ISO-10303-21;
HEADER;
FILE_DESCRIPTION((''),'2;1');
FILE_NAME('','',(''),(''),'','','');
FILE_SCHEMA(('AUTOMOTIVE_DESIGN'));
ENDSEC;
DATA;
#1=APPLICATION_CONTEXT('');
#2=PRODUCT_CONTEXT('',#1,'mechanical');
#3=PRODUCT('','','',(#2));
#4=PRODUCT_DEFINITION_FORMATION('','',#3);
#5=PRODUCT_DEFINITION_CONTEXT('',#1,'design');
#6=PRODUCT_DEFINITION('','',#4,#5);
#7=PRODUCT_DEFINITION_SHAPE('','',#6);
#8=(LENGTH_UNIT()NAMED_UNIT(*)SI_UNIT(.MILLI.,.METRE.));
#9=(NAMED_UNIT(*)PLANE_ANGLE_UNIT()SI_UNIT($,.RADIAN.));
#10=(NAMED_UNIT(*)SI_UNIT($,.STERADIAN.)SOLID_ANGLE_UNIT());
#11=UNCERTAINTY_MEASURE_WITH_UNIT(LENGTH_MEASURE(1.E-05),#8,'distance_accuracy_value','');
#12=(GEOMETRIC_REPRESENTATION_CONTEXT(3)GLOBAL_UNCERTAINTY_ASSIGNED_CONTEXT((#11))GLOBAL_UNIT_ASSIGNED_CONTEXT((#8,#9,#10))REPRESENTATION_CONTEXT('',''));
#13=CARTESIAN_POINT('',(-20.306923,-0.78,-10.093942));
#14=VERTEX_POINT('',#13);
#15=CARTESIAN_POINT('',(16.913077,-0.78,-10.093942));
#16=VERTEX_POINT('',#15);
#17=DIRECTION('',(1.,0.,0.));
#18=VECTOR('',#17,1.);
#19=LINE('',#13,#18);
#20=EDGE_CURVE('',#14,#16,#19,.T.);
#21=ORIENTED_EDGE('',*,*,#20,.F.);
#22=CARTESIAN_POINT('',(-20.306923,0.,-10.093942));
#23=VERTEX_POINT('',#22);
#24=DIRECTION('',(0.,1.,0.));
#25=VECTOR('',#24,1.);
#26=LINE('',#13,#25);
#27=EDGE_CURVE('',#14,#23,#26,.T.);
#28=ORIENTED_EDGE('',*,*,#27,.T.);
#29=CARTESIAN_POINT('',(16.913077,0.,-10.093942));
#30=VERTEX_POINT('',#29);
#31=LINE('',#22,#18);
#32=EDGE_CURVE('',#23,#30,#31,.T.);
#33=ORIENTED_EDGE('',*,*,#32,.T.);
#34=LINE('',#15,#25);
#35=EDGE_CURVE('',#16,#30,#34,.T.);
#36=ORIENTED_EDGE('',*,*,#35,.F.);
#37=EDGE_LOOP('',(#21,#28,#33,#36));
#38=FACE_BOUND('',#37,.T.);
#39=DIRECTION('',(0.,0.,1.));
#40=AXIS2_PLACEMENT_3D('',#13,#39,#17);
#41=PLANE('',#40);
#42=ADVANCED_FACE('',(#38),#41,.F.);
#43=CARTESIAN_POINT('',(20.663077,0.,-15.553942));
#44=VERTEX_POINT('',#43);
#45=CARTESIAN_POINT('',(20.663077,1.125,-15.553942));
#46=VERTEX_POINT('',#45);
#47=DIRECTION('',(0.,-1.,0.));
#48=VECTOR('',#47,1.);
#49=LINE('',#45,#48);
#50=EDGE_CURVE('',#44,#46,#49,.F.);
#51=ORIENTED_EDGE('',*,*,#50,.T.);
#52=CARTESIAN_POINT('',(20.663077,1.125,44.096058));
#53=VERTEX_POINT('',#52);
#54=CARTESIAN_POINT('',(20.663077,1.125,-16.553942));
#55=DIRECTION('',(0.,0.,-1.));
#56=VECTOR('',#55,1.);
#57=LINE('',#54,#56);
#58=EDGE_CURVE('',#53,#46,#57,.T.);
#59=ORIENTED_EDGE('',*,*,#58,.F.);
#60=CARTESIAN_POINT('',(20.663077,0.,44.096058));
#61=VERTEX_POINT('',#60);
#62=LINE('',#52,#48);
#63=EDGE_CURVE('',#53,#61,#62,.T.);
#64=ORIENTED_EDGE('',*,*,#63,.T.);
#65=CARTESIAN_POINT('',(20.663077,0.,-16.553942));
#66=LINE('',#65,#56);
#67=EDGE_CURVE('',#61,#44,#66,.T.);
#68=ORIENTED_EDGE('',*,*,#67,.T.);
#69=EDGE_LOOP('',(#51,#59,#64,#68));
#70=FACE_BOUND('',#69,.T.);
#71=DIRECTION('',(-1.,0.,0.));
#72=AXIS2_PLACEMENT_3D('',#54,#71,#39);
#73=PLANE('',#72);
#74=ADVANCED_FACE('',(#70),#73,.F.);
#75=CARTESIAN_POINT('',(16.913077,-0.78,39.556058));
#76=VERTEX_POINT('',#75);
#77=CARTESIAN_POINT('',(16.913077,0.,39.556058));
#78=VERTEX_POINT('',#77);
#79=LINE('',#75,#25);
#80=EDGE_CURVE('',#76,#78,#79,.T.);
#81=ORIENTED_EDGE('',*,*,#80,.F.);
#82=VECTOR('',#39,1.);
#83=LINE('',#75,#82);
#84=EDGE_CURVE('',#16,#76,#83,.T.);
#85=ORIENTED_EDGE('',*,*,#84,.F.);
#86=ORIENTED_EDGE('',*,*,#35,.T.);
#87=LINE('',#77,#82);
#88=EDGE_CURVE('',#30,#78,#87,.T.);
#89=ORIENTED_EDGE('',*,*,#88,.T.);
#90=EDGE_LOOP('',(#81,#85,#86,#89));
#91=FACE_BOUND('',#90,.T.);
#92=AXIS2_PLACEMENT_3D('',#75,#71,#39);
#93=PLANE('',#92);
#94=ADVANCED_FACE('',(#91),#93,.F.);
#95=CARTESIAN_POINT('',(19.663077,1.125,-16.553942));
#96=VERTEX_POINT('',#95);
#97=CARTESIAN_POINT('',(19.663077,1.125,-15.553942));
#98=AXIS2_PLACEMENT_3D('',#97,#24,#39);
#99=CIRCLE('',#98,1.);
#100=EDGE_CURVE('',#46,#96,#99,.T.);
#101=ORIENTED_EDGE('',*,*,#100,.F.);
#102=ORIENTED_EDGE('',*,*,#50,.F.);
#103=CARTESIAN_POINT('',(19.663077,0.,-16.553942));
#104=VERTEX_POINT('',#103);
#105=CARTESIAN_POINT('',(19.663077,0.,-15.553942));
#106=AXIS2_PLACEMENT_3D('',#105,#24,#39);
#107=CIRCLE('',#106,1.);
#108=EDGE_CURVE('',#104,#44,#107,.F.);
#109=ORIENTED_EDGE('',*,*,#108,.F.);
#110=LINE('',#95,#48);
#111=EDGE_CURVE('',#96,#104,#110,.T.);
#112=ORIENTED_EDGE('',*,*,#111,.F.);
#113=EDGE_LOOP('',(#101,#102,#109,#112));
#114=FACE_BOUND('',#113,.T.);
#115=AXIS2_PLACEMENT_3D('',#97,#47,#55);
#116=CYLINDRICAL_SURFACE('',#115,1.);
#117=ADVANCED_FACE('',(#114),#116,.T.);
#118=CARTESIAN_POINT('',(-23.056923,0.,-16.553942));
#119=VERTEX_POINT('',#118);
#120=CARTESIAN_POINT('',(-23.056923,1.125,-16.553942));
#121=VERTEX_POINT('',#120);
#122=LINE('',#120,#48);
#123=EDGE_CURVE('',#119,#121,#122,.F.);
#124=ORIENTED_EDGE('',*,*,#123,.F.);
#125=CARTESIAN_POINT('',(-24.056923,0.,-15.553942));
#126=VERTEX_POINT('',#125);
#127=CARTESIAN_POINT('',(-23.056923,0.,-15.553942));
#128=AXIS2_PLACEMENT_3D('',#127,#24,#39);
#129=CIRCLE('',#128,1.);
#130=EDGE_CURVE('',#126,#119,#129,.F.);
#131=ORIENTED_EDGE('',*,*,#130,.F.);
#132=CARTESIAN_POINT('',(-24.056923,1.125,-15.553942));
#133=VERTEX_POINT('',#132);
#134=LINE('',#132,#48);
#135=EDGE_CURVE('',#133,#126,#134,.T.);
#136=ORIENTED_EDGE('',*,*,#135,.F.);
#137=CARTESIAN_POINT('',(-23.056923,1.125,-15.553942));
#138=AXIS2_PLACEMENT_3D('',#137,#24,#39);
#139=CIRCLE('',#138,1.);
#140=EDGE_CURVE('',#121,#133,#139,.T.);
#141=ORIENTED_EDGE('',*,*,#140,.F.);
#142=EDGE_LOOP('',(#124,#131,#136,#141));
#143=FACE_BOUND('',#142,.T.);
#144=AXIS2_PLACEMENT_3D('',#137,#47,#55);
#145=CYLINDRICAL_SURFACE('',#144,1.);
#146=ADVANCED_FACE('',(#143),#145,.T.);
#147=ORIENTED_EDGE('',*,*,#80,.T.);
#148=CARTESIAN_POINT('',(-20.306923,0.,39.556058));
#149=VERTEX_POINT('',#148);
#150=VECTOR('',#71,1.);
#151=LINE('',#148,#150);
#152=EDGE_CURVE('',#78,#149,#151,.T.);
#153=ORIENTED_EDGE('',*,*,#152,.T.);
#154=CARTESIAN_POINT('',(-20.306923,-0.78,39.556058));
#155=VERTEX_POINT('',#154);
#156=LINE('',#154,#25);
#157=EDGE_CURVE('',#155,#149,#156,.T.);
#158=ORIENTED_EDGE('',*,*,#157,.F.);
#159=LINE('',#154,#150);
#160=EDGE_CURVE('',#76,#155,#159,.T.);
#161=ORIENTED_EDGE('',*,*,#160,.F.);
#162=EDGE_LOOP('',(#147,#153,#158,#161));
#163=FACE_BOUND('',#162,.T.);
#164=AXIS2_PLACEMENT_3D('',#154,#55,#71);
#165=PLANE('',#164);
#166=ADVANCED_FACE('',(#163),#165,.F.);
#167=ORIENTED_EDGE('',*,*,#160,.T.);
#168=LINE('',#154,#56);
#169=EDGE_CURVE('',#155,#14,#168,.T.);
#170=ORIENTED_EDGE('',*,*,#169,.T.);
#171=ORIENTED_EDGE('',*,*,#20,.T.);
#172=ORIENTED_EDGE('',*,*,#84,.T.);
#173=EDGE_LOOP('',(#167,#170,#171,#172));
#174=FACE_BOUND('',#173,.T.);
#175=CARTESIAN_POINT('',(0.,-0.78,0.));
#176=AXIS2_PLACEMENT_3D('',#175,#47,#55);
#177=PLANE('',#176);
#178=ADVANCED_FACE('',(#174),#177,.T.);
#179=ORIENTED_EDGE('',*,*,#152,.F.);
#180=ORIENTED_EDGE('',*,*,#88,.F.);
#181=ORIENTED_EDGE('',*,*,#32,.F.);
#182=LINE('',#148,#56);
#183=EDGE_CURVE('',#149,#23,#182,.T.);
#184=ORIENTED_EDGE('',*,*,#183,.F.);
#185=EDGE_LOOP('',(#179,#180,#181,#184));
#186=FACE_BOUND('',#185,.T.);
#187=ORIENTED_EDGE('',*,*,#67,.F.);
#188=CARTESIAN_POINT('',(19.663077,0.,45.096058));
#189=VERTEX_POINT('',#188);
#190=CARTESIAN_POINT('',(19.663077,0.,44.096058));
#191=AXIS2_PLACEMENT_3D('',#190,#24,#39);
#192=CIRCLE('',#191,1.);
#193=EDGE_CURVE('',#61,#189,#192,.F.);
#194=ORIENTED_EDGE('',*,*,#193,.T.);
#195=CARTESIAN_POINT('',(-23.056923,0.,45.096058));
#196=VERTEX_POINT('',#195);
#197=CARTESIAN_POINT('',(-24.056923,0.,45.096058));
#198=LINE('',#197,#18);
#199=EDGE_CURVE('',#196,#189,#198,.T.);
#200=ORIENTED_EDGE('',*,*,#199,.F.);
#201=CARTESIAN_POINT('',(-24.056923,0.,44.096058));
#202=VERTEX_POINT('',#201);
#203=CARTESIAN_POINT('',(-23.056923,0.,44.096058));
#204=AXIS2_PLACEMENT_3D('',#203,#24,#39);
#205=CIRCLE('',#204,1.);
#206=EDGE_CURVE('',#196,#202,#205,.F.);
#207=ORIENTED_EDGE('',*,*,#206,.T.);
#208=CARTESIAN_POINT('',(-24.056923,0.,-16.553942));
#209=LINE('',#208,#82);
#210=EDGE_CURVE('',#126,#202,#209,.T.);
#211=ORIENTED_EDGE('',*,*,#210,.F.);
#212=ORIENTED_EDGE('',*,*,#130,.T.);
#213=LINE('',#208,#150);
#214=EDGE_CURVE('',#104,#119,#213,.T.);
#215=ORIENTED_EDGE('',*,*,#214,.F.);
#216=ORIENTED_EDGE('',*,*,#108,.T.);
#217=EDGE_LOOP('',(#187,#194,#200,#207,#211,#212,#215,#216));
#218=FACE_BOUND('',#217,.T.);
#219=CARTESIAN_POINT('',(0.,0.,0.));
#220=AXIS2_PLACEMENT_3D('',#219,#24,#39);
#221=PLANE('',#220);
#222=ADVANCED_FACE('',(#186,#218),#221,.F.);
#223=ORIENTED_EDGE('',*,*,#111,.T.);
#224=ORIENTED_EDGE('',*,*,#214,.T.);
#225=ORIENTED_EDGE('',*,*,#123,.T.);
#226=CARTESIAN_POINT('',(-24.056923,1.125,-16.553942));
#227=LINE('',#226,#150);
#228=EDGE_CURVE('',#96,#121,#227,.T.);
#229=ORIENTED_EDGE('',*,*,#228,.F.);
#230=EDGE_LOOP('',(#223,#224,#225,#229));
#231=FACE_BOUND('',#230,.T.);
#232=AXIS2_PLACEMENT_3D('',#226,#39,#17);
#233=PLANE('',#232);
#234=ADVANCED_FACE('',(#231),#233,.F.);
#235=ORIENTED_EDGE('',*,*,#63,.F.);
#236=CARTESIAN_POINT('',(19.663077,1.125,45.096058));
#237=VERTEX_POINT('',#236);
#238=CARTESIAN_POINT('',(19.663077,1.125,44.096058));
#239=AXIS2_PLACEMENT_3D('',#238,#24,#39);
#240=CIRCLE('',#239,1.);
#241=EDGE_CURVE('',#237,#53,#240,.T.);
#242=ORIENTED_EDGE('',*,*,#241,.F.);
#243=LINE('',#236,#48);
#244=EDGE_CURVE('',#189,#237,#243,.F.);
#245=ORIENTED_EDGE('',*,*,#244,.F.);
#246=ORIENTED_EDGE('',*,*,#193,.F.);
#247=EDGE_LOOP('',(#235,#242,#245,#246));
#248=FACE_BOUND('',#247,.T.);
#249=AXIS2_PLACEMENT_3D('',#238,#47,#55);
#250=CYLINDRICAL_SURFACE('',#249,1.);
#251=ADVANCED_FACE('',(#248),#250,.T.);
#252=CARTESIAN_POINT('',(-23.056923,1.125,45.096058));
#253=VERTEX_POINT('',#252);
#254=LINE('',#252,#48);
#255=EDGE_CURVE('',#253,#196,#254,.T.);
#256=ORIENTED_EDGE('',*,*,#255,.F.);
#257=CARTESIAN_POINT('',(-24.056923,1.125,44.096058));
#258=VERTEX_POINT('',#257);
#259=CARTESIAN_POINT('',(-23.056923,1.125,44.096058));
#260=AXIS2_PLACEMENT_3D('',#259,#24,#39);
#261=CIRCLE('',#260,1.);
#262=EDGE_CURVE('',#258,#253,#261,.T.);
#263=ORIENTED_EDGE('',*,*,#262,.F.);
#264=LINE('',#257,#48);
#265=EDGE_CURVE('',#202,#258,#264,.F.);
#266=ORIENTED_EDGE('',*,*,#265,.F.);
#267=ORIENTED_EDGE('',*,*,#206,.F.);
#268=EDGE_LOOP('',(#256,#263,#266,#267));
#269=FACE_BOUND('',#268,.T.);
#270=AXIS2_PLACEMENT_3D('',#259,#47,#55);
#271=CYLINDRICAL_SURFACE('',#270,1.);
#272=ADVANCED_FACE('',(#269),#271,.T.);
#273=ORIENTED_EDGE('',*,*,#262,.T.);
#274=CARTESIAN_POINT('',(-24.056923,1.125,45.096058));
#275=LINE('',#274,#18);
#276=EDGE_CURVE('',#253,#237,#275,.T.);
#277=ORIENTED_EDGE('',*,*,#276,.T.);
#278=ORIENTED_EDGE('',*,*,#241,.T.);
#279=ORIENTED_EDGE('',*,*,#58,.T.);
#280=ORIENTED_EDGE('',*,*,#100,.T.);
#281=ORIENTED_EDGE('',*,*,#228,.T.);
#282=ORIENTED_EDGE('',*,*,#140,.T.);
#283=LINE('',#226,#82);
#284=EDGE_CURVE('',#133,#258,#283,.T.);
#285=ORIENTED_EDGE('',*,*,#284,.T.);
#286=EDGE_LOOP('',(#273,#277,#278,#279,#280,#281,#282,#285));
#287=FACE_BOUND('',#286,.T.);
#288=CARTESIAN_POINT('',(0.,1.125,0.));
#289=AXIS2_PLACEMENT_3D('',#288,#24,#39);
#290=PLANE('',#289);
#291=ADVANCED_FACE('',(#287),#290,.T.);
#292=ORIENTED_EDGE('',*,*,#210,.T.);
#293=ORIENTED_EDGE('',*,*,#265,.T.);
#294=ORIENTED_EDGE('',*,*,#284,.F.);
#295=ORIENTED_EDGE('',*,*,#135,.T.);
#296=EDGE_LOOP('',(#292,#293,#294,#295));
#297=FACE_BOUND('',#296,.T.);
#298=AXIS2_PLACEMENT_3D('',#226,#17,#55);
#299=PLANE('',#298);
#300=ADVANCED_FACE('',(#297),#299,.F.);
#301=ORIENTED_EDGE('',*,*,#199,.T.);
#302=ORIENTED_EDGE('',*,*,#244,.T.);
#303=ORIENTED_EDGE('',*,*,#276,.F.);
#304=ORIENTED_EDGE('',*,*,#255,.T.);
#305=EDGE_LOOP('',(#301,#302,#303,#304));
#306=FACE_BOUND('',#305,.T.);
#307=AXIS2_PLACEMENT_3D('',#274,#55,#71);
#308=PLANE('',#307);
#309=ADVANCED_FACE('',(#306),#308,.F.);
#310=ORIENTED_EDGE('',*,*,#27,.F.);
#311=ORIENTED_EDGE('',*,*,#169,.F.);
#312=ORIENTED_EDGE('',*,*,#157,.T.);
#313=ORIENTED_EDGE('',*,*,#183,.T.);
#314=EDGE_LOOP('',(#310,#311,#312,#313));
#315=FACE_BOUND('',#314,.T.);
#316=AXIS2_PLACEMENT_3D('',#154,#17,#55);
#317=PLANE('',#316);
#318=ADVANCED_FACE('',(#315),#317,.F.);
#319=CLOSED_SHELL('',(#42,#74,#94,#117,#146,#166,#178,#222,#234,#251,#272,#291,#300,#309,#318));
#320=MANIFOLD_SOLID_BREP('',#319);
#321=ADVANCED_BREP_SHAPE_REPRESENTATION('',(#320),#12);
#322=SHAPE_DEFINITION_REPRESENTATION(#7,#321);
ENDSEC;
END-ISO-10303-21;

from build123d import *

# Parameters (mm, degrees)
SKETCH_1_W      = 44.72
SKETCH_1_H      = 61.65
EXTRUDE_1_DEPTH = 1.125
FILLET_1_R      = 1
SKETCH_2_W      = 37.22
SKETCH_2_H      = 49.65
EXTRUDE_2_DEPTH = 0.78


with BuildPart() as part:
    # 草图1 → 凸台-拉伸1 (new body)
    with BuildSketch(Plane(origin=(0, 0, 0), x_dir=(1, 0, 0), z_dir=(0, 1, 0))):
        with Locations((-1.696923077, -14.271057692)):
            Rectangle(SKETCH_1_W, SKETCH_1_H)
    extrude(amount=EXTRUDE_1_DEPTH)

    # 圆角1
    fillet_1_edges = [part.edges().sort_by_distance(p)[0] for p in [
        (-24.056923077, 0.5625, -16.553942308),
        (20.663076923, 0.5625, -16.553942308),
        (20.663076923, 0.5625, 45.096057692),
        (-24.056923077, 0.5625, 45.096057692),
    ]]
    fillet(fillet_1_edges, radius=FILLET_1_R)

    # 草图2 → 凸台-拉伸2 (add)
    with BuildSketch(Plane.XZ):
        with Locations((-1.696923077, 14.731057692)):
            Rectangle(SKETCH_2_W, SKETCH_2_H)
    extrude(amount=EXTRUDE_2_DEPTH)


solid = part.part
